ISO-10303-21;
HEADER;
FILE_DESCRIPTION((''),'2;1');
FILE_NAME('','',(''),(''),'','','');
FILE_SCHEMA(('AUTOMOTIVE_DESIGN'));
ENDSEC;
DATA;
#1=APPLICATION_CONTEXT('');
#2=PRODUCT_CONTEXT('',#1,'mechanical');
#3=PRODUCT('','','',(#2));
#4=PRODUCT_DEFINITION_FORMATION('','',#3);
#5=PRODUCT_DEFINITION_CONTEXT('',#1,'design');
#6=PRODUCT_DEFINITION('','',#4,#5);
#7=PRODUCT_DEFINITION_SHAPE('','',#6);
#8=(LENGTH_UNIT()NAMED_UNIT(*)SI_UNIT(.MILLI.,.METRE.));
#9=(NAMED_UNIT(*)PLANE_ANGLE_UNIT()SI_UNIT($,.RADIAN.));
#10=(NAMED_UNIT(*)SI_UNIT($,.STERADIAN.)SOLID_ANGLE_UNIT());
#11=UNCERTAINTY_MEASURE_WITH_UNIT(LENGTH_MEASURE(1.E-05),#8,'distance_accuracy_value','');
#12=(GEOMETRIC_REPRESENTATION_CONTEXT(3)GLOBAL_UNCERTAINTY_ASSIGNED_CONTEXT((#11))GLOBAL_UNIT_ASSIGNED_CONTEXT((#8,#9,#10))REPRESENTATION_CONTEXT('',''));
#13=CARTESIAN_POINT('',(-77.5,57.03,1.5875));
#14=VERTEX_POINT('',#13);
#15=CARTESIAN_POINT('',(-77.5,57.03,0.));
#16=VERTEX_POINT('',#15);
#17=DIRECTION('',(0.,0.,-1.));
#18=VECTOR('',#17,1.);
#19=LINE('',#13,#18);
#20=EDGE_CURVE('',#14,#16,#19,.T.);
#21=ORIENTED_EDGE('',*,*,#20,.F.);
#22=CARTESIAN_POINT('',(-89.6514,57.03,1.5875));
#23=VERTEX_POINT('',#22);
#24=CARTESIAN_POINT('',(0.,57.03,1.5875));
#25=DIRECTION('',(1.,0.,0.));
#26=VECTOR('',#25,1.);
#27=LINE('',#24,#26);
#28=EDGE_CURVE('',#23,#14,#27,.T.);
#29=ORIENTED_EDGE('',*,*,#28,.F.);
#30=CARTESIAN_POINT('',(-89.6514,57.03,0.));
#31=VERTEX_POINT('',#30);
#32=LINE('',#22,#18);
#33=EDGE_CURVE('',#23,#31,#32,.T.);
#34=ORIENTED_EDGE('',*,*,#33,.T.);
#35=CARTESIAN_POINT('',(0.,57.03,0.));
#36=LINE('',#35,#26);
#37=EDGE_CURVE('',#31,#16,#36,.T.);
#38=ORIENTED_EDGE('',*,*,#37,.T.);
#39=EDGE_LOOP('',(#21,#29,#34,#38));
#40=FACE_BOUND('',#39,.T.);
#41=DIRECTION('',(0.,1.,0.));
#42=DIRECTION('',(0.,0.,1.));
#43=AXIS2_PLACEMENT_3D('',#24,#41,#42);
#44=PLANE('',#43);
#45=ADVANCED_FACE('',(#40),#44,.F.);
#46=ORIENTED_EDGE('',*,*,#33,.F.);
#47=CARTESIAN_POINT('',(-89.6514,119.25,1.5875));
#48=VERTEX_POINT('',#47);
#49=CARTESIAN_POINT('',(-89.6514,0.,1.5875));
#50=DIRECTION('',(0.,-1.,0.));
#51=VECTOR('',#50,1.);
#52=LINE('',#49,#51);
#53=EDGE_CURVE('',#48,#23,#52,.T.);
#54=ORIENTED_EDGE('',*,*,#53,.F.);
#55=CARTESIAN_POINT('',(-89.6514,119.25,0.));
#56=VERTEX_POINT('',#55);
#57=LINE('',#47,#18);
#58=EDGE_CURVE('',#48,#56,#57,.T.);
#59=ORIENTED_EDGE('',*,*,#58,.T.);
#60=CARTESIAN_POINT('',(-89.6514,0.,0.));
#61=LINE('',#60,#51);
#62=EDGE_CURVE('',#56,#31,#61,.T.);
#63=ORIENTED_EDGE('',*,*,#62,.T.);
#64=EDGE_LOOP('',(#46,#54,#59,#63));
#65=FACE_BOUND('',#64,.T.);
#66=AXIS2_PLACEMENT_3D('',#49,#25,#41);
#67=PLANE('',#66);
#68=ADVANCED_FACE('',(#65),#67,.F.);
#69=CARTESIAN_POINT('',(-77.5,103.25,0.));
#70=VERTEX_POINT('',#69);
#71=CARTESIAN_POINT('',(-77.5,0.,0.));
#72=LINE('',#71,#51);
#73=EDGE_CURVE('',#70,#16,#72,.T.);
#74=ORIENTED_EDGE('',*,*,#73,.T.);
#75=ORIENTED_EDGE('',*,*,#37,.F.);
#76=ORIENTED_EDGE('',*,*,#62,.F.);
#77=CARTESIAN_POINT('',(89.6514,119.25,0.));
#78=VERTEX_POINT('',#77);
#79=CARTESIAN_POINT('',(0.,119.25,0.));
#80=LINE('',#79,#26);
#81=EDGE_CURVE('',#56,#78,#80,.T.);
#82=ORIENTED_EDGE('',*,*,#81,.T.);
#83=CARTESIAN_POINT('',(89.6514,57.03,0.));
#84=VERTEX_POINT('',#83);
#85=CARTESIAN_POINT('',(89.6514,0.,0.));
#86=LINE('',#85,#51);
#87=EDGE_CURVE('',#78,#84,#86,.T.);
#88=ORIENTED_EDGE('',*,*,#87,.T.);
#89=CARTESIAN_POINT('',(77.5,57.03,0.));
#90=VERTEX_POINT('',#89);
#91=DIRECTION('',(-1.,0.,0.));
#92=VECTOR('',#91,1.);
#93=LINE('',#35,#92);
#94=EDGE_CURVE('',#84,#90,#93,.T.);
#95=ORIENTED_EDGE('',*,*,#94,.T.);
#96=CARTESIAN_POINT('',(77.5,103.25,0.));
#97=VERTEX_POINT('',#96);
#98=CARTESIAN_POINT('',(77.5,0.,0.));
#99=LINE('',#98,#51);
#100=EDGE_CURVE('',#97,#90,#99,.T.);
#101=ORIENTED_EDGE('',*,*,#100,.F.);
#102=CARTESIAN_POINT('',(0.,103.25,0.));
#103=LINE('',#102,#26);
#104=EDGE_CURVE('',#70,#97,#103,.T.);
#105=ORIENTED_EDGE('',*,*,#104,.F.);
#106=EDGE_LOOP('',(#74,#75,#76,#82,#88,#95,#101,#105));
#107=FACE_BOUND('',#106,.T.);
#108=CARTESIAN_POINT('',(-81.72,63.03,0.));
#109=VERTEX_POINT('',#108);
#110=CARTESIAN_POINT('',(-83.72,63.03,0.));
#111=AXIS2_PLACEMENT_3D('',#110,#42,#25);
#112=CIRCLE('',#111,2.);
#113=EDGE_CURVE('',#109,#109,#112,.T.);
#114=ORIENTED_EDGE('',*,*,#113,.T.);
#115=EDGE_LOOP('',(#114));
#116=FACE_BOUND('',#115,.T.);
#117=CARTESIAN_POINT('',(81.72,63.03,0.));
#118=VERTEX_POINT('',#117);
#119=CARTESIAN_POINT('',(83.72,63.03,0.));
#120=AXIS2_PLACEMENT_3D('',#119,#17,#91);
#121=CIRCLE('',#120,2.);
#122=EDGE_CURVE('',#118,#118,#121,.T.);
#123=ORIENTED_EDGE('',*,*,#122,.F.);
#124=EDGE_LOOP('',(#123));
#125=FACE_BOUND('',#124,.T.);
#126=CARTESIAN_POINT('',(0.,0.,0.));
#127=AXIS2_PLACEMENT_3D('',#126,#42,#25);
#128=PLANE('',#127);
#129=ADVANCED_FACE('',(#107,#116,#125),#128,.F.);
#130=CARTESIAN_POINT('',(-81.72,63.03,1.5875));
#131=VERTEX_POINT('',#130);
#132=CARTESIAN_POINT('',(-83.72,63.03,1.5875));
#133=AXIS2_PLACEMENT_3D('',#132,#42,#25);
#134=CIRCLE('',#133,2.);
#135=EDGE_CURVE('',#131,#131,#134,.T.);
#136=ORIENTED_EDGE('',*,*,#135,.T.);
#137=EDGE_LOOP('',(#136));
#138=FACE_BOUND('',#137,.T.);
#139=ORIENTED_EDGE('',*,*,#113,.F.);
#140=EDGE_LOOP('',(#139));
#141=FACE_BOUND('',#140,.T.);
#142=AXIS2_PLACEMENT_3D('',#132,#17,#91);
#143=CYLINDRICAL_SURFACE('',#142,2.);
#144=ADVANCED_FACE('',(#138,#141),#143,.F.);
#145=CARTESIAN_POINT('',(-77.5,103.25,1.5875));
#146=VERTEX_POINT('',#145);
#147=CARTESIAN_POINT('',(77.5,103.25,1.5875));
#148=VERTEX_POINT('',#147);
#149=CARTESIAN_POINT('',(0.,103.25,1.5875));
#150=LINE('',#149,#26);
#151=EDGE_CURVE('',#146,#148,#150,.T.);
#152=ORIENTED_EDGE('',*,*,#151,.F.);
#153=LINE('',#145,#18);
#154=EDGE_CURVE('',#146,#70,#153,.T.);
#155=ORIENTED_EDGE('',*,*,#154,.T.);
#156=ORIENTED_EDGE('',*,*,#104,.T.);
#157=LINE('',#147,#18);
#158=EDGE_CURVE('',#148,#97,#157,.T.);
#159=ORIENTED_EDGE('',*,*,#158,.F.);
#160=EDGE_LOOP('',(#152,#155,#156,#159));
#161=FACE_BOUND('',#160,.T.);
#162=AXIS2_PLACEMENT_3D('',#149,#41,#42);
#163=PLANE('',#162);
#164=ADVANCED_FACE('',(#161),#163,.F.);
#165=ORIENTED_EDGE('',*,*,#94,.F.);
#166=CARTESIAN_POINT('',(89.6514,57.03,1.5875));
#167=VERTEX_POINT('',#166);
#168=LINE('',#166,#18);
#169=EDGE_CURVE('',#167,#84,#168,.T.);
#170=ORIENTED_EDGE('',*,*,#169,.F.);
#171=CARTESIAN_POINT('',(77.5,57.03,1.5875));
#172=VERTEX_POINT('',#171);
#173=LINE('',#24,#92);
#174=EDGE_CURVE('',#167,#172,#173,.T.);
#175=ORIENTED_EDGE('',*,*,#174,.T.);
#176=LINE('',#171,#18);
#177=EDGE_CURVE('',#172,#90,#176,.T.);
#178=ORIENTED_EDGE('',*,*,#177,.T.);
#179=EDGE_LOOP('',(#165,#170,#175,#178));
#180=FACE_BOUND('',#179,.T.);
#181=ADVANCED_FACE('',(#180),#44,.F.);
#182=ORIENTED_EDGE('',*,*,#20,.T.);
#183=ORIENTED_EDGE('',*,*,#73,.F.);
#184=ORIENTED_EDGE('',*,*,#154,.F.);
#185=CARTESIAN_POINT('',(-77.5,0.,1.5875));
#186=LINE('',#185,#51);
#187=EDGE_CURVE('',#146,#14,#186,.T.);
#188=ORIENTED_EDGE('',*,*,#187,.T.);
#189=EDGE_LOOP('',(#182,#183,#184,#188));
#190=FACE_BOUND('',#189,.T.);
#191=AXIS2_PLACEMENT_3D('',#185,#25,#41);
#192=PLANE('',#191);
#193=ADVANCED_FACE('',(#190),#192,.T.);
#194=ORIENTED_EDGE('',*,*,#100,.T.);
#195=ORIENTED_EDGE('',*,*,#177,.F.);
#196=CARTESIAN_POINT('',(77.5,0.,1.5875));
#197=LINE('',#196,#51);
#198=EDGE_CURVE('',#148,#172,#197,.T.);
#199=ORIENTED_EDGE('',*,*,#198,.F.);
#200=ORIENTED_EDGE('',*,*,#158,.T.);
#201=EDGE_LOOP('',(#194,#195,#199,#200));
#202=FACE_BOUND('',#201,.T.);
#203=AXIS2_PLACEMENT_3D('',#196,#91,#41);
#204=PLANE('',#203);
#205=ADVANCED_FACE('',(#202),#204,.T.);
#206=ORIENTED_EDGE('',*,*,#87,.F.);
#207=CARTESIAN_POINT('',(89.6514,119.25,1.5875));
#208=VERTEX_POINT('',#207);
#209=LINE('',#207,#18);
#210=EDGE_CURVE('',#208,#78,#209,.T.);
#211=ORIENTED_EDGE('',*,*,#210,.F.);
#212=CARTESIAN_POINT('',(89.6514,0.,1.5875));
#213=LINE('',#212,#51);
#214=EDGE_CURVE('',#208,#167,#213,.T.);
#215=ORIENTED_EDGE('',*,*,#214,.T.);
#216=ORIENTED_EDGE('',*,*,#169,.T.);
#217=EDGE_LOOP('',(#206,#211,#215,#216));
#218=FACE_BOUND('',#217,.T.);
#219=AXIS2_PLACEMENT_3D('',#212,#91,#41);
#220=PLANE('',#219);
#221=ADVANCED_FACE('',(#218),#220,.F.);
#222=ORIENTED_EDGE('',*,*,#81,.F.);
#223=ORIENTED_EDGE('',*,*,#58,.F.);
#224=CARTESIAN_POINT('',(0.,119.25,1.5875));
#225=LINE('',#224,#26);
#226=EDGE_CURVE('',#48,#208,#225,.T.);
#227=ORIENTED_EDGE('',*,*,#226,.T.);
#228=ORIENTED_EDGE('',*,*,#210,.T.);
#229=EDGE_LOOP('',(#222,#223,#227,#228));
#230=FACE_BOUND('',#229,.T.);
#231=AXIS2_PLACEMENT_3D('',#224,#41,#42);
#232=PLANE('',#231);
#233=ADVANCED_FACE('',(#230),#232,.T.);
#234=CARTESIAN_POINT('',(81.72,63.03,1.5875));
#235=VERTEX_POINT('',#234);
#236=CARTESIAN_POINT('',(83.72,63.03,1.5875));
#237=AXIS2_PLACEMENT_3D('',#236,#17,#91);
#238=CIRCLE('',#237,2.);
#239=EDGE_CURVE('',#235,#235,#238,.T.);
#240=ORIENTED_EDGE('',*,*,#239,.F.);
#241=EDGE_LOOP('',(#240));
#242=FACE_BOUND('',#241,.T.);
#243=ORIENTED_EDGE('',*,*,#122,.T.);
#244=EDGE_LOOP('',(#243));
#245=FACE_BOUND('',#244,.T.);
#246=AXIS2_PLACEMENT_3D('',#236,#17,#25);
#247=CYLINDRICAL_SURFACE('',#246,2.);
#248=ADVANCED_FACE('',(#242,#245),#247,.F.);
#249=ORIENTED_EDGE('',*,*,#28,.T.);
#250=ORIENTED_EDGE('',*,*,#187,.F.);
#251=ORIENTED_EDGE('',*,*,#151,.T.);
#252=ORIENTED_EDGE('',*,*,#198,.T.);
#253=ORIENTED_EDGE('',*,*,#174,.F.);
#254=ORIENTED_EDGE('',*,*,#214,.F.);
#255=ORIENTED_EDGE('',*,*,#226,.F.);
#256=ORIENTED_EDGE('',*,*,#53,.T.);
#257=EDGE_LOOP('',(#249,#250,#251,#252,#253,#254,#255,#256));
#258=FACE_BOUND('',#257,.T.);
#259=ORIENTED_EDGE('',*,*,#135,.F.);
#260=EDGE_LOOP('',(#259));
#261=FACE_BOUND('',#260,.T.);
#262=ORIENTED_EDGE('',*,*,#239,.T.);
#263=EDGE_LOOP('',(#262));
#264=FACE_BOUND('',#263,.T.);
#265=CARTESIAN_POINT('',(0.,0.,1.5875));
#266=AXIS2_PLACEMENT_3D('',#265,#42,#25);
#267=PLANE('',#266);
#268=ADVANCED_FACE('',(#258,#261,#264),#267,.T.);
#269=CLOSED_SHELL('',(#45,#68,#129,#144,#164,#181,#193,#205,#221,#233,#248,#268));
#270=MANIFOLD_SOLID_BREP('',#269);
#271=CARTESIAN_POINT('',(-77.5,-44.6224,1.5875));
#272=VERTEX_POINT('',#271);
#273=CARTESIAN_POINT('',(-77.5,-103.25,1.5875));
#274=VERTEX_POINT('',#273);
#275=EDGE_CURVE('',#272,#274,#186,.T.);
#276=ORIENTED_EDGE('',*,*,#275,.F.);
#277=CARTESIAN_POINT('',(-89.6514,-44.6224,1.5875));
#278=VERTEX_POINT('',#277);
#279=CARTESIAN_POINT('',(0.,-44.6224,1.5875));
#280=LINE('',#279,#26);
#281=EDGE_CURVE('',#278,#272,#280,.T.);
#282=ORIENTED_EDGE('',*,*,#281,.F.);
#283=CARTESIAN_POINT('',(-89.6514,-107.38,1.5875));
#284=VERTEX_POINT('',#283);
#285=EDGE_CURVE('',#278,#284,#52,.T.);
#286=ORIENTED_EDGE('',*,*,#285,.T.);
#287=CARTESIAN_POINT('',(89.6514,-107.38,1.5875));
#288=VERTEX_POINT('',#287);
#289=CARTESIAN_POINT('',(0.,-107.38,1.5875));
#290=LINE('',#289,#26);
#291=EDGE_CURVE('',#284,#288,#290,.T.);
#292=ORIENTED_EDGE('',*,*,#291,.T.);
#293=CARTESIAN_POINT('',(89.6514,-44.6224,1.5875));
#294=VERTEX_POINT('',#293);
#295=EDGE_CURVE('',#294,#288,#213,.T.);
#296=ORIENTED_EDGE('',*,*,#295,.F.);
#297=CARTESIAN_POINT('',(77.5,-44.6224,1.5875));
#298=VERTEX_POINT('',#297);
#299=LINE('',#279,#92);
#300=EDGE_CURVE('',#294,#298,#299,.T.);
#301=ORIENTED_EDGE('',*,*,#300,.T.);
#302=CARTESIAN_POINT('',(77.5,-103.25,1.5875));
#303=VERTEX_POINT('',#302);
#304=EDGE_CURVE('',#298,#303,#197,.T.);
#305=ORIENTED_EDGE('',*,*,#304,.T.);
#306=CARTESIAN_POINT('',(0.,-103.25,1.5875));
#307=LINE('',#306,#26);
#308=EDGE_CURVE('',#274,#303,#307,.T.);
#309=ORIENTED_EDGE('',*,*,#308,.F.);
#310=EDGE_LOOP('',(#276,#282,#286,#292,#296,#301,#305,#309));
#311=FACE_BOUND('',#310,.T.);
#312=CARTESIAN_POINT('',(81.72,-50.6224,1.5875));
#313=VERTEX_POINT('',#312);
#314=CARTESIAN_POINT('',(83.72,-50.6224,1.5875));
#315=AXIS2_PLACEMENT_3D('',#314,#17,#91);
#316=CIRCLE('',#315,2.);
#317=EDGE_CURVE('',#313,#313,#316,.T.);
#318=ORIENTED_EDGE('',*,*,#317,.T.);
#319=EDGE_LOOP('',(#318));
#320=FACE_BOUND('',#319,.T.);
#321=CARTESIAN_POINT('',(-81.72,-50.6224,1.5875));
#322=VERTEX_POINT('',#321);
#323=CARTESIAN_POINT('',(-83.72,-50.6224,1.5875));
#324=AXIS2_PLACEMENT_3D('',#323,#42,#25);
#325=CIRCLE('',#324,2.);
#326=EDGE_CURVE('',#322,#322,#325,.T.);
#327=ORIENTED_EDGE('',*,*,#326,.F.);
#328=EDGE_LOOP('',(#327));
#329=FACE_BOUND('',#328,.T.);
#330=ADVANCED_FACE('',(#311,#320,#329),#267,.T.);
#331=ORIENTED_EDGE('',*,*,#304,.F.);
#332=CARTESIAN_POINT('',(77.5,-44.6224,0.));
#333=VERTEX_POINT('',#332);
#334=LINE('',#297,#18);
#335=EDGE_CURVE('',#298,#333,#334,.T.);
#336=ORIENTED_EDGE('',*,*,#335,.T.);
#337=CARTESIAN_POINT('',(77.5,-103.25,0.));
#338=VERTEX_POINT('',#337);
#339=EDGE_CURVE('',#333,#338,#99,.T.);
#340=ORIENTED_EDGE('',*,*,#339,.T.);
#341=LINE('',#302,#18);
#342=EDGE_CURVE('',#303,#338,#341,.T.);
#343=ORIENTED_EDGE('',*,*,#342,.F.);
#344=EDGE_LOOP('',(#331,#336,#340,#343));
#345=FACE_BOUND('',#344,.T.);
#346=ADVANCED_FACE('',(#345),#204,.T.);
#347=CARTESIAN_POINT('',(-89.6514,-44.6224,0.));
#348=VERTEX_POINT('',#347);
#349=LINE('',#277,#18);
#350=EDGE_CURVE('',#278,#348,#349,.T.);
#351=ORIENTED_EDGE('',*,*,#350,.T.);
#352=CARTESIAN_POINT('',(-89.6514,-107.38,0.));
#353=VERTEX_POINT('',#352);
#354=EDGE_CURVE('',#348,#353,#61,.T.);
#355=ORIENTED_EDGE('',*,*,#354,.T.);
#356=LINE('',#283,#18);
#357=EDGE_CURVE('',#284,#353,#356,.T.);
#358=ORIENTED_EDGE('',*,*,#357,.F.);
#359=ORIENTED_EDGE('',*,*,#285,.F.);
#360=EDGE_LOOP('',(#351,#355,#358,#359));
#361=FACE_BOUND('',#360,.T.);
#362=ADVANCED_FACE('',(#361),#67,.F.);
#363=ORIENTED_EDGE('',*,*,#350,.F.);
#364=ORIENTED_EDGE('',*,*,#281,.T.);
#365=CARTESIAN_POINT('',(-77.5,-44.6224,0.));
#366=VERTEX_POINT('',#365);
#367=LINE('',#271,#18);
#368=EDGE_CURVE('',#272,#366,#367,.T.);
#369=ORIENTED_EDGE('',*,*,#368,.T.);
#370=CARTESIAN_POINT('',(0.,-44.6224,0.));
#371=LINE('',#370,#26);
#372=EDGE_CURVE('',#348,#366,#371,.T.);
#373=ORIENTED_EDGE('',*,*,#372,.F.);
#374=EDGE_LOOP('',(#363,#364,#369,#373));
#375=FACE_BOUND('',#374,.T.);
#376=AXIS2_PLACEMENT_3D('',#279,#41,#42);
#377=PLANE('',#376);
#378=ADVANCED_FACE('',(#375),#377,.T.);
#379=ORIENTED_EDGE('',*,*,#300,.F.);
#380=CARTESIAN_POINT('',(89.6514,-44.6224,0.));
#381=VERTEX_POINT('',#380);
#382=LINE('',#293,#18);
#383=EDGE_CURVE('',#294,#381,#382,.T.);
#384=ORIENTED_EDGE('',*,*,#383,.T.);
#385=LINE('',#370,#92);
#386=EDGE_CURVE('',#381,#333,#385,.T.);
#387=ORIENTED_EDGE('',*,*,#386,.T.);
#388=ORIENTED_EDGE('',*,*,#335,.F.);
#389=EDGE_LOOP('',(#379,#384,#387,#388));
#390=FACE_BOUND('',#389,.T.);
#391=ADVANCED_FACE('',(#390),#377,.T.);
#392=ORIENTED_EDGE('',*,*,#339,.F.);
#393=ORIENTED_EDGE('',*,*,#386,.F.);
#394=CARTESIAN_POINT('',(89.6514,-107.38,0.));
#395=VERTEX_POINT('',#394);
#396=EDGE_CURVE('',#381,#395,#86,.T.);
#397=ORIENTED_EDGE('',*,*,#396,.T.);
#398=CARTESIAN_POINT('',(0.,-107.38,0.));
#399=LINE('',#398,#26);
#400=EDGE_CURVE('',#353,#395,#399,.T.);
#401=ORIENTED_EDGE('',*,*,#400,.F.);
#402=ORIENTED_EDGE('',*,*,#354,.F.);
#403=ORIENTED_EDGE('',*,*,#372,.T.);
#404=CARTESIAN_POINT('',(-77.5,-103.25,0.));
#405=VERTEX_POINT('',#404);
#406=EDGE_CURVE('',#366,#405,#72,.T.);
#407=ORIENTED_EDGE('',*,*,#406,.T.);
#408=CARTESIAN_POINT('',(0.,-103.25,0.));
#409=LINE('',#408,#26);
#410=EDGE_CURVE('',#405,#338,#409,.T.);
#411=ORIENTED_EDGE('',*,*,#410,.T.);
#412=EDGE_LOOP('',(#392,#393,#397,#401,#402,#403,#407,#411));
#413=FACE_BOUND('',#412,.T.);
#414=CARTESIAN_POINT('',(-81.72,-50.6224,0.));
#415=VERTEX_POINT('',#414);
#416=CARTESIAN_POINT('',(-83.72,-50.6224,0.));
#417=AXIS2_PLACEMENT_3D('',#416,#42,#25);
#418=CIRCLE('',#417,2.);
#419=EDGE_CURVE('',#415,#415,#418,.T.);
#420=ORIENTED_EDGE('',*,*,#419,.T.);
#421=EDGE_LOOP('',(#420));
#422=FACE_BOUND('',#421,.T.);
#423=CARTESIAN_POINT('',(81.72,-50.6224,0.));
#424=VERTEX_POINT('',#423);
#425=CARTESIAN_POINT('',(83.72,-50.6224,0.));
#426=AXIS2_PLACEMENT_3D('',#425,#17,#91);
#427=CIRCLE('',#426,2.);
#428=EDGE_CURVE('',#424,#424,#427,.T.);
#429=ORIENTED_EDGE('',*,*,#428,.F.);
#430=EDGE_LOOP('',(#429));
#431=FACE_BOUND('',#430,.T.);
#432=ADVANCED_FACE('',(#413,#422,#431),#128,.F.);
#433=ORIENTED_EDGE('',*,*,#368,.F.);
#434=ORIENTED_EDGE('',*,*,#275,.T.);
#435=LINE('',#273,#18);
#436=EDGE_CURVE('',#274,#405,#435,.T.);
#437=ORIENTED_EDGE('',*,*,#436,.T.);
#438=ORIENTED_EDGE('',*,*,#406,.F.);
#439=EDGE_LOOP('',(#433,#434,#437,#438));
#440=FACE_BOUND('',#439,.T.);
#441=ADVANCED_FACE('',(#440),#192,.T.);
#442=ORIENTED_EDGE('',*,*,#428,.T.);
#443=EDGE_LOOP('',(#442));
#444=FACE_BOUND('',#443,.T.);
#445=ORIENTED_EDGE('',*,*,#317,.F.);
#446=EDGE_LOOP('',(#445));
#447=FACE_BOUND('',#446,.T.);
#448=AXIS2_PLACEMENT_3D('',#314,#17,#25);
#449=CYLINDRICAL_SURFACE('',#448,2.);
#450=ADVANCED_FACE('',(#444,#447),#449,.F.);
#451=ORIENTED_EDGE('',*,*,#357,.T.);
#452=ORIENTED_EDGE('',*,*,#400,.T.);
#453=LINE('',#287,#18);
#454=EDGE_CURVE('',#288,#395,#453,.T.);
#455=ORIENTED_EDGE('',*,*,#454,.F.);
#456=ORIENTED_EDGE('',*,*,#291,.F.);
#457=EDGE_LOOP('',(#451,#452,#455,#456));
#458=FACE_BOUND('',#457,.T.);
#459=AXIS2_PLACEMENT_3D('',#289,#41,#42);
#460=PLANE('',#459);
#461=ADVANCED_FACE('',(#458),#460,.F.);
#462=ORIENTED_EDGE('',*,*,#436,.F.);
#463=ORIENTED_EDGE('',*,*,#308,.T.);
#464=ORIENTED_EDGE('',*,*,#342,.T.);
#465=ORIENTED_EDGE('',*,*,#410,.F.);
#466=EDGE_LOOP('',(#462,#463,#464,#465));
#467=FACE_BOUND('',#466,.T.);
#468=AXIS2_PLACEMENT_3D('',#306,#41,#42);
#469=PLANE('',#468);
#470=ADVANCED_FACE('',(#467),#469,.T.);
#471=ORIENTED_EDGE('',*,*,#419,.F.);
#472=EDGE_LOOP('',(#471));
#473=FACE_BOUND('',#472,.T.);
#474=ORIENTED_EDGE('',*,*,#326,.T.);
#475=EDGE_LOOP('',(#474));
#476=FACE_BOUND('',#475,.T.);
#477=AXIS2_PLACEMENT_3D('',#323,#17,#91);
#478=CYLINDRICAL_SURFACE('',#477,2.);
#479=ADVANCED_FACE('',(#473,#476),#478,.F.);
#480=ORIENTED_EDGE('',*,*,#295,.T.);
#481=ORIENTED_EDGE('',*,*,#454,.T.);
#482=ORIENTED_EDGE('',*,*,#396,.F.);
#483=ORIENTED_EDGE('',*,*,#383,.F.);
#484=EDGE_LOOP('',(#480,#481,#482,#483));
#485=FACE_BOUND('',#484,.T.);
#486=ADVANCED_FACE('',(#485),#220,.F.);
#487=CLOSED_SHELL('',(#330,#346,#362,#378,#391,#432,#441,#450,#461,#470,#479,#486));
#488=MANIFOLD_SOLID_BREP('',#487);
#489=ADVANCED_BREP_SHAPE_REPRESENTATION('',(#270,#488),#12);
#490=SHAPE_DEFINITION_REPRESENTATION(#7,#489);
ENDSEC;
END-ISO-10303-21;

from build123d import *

# Parameters (mm, degrees)
SKETCH1_R               = 2
REPEATING_FRAME_DEPTH   = 1.5875
REPEATING_FRAME_2_DEPTH = 1.5875


with BuildPart() as part:
    # Sketch1 → Repeating Frame (new body)
    with BuildSketch(Plane.XY):
        Polygon((-77.5, 103.25), (0, 103.25), (0, 119.25), (-89.6514, 119.25), (-89.6514, 57.03), (-77.5, 57.03), align=None)
        with Locations((-83.72, 63.03)):
            Circle(SKETCH1_R, mode=Mode.SUBTRACT)
    repeating_frame = extrude(amount=REPEATING_FRAME_DEPTH)


with BuildPart() as body_2:
    # Sketch1 → Repeating Frame 2 (new body)
    with BuildSketch(Plane.XY):
        Polygon((-89.6514, -107.38), (0, -107.38), (0, -103.25), (-77.5, -103.25), (-77.5, -44.6224), (-89.6514, -44.6224), align=None)
        with Locations((-83.72, -50.6224)):
            Circle(SKETCH1_R, mode=Mode.SUBTRACT)
    repeating_frame_2 = extrude(amount=REPEATING_FRAME_2_DEPTH)


with BuildPart() as part_1:
    add(part.part)

    add(body_2.part)  # Mirror1 merges body 2
    # Mirror1: Repeating Frame, Repeating Frame 2 across plane
    add(repeating_frame.mirror(Plane(origin=(0, 0, 0), x_dir=(0, 0, 1), z_dir=(1, 0, 0))))
    add(repeating_frame_2.mirror(Plane(origin=(0, 0, 0), x_dir=(0, 0, 1), z_dir=(1, 0, 0))))


solid = part_1.part
